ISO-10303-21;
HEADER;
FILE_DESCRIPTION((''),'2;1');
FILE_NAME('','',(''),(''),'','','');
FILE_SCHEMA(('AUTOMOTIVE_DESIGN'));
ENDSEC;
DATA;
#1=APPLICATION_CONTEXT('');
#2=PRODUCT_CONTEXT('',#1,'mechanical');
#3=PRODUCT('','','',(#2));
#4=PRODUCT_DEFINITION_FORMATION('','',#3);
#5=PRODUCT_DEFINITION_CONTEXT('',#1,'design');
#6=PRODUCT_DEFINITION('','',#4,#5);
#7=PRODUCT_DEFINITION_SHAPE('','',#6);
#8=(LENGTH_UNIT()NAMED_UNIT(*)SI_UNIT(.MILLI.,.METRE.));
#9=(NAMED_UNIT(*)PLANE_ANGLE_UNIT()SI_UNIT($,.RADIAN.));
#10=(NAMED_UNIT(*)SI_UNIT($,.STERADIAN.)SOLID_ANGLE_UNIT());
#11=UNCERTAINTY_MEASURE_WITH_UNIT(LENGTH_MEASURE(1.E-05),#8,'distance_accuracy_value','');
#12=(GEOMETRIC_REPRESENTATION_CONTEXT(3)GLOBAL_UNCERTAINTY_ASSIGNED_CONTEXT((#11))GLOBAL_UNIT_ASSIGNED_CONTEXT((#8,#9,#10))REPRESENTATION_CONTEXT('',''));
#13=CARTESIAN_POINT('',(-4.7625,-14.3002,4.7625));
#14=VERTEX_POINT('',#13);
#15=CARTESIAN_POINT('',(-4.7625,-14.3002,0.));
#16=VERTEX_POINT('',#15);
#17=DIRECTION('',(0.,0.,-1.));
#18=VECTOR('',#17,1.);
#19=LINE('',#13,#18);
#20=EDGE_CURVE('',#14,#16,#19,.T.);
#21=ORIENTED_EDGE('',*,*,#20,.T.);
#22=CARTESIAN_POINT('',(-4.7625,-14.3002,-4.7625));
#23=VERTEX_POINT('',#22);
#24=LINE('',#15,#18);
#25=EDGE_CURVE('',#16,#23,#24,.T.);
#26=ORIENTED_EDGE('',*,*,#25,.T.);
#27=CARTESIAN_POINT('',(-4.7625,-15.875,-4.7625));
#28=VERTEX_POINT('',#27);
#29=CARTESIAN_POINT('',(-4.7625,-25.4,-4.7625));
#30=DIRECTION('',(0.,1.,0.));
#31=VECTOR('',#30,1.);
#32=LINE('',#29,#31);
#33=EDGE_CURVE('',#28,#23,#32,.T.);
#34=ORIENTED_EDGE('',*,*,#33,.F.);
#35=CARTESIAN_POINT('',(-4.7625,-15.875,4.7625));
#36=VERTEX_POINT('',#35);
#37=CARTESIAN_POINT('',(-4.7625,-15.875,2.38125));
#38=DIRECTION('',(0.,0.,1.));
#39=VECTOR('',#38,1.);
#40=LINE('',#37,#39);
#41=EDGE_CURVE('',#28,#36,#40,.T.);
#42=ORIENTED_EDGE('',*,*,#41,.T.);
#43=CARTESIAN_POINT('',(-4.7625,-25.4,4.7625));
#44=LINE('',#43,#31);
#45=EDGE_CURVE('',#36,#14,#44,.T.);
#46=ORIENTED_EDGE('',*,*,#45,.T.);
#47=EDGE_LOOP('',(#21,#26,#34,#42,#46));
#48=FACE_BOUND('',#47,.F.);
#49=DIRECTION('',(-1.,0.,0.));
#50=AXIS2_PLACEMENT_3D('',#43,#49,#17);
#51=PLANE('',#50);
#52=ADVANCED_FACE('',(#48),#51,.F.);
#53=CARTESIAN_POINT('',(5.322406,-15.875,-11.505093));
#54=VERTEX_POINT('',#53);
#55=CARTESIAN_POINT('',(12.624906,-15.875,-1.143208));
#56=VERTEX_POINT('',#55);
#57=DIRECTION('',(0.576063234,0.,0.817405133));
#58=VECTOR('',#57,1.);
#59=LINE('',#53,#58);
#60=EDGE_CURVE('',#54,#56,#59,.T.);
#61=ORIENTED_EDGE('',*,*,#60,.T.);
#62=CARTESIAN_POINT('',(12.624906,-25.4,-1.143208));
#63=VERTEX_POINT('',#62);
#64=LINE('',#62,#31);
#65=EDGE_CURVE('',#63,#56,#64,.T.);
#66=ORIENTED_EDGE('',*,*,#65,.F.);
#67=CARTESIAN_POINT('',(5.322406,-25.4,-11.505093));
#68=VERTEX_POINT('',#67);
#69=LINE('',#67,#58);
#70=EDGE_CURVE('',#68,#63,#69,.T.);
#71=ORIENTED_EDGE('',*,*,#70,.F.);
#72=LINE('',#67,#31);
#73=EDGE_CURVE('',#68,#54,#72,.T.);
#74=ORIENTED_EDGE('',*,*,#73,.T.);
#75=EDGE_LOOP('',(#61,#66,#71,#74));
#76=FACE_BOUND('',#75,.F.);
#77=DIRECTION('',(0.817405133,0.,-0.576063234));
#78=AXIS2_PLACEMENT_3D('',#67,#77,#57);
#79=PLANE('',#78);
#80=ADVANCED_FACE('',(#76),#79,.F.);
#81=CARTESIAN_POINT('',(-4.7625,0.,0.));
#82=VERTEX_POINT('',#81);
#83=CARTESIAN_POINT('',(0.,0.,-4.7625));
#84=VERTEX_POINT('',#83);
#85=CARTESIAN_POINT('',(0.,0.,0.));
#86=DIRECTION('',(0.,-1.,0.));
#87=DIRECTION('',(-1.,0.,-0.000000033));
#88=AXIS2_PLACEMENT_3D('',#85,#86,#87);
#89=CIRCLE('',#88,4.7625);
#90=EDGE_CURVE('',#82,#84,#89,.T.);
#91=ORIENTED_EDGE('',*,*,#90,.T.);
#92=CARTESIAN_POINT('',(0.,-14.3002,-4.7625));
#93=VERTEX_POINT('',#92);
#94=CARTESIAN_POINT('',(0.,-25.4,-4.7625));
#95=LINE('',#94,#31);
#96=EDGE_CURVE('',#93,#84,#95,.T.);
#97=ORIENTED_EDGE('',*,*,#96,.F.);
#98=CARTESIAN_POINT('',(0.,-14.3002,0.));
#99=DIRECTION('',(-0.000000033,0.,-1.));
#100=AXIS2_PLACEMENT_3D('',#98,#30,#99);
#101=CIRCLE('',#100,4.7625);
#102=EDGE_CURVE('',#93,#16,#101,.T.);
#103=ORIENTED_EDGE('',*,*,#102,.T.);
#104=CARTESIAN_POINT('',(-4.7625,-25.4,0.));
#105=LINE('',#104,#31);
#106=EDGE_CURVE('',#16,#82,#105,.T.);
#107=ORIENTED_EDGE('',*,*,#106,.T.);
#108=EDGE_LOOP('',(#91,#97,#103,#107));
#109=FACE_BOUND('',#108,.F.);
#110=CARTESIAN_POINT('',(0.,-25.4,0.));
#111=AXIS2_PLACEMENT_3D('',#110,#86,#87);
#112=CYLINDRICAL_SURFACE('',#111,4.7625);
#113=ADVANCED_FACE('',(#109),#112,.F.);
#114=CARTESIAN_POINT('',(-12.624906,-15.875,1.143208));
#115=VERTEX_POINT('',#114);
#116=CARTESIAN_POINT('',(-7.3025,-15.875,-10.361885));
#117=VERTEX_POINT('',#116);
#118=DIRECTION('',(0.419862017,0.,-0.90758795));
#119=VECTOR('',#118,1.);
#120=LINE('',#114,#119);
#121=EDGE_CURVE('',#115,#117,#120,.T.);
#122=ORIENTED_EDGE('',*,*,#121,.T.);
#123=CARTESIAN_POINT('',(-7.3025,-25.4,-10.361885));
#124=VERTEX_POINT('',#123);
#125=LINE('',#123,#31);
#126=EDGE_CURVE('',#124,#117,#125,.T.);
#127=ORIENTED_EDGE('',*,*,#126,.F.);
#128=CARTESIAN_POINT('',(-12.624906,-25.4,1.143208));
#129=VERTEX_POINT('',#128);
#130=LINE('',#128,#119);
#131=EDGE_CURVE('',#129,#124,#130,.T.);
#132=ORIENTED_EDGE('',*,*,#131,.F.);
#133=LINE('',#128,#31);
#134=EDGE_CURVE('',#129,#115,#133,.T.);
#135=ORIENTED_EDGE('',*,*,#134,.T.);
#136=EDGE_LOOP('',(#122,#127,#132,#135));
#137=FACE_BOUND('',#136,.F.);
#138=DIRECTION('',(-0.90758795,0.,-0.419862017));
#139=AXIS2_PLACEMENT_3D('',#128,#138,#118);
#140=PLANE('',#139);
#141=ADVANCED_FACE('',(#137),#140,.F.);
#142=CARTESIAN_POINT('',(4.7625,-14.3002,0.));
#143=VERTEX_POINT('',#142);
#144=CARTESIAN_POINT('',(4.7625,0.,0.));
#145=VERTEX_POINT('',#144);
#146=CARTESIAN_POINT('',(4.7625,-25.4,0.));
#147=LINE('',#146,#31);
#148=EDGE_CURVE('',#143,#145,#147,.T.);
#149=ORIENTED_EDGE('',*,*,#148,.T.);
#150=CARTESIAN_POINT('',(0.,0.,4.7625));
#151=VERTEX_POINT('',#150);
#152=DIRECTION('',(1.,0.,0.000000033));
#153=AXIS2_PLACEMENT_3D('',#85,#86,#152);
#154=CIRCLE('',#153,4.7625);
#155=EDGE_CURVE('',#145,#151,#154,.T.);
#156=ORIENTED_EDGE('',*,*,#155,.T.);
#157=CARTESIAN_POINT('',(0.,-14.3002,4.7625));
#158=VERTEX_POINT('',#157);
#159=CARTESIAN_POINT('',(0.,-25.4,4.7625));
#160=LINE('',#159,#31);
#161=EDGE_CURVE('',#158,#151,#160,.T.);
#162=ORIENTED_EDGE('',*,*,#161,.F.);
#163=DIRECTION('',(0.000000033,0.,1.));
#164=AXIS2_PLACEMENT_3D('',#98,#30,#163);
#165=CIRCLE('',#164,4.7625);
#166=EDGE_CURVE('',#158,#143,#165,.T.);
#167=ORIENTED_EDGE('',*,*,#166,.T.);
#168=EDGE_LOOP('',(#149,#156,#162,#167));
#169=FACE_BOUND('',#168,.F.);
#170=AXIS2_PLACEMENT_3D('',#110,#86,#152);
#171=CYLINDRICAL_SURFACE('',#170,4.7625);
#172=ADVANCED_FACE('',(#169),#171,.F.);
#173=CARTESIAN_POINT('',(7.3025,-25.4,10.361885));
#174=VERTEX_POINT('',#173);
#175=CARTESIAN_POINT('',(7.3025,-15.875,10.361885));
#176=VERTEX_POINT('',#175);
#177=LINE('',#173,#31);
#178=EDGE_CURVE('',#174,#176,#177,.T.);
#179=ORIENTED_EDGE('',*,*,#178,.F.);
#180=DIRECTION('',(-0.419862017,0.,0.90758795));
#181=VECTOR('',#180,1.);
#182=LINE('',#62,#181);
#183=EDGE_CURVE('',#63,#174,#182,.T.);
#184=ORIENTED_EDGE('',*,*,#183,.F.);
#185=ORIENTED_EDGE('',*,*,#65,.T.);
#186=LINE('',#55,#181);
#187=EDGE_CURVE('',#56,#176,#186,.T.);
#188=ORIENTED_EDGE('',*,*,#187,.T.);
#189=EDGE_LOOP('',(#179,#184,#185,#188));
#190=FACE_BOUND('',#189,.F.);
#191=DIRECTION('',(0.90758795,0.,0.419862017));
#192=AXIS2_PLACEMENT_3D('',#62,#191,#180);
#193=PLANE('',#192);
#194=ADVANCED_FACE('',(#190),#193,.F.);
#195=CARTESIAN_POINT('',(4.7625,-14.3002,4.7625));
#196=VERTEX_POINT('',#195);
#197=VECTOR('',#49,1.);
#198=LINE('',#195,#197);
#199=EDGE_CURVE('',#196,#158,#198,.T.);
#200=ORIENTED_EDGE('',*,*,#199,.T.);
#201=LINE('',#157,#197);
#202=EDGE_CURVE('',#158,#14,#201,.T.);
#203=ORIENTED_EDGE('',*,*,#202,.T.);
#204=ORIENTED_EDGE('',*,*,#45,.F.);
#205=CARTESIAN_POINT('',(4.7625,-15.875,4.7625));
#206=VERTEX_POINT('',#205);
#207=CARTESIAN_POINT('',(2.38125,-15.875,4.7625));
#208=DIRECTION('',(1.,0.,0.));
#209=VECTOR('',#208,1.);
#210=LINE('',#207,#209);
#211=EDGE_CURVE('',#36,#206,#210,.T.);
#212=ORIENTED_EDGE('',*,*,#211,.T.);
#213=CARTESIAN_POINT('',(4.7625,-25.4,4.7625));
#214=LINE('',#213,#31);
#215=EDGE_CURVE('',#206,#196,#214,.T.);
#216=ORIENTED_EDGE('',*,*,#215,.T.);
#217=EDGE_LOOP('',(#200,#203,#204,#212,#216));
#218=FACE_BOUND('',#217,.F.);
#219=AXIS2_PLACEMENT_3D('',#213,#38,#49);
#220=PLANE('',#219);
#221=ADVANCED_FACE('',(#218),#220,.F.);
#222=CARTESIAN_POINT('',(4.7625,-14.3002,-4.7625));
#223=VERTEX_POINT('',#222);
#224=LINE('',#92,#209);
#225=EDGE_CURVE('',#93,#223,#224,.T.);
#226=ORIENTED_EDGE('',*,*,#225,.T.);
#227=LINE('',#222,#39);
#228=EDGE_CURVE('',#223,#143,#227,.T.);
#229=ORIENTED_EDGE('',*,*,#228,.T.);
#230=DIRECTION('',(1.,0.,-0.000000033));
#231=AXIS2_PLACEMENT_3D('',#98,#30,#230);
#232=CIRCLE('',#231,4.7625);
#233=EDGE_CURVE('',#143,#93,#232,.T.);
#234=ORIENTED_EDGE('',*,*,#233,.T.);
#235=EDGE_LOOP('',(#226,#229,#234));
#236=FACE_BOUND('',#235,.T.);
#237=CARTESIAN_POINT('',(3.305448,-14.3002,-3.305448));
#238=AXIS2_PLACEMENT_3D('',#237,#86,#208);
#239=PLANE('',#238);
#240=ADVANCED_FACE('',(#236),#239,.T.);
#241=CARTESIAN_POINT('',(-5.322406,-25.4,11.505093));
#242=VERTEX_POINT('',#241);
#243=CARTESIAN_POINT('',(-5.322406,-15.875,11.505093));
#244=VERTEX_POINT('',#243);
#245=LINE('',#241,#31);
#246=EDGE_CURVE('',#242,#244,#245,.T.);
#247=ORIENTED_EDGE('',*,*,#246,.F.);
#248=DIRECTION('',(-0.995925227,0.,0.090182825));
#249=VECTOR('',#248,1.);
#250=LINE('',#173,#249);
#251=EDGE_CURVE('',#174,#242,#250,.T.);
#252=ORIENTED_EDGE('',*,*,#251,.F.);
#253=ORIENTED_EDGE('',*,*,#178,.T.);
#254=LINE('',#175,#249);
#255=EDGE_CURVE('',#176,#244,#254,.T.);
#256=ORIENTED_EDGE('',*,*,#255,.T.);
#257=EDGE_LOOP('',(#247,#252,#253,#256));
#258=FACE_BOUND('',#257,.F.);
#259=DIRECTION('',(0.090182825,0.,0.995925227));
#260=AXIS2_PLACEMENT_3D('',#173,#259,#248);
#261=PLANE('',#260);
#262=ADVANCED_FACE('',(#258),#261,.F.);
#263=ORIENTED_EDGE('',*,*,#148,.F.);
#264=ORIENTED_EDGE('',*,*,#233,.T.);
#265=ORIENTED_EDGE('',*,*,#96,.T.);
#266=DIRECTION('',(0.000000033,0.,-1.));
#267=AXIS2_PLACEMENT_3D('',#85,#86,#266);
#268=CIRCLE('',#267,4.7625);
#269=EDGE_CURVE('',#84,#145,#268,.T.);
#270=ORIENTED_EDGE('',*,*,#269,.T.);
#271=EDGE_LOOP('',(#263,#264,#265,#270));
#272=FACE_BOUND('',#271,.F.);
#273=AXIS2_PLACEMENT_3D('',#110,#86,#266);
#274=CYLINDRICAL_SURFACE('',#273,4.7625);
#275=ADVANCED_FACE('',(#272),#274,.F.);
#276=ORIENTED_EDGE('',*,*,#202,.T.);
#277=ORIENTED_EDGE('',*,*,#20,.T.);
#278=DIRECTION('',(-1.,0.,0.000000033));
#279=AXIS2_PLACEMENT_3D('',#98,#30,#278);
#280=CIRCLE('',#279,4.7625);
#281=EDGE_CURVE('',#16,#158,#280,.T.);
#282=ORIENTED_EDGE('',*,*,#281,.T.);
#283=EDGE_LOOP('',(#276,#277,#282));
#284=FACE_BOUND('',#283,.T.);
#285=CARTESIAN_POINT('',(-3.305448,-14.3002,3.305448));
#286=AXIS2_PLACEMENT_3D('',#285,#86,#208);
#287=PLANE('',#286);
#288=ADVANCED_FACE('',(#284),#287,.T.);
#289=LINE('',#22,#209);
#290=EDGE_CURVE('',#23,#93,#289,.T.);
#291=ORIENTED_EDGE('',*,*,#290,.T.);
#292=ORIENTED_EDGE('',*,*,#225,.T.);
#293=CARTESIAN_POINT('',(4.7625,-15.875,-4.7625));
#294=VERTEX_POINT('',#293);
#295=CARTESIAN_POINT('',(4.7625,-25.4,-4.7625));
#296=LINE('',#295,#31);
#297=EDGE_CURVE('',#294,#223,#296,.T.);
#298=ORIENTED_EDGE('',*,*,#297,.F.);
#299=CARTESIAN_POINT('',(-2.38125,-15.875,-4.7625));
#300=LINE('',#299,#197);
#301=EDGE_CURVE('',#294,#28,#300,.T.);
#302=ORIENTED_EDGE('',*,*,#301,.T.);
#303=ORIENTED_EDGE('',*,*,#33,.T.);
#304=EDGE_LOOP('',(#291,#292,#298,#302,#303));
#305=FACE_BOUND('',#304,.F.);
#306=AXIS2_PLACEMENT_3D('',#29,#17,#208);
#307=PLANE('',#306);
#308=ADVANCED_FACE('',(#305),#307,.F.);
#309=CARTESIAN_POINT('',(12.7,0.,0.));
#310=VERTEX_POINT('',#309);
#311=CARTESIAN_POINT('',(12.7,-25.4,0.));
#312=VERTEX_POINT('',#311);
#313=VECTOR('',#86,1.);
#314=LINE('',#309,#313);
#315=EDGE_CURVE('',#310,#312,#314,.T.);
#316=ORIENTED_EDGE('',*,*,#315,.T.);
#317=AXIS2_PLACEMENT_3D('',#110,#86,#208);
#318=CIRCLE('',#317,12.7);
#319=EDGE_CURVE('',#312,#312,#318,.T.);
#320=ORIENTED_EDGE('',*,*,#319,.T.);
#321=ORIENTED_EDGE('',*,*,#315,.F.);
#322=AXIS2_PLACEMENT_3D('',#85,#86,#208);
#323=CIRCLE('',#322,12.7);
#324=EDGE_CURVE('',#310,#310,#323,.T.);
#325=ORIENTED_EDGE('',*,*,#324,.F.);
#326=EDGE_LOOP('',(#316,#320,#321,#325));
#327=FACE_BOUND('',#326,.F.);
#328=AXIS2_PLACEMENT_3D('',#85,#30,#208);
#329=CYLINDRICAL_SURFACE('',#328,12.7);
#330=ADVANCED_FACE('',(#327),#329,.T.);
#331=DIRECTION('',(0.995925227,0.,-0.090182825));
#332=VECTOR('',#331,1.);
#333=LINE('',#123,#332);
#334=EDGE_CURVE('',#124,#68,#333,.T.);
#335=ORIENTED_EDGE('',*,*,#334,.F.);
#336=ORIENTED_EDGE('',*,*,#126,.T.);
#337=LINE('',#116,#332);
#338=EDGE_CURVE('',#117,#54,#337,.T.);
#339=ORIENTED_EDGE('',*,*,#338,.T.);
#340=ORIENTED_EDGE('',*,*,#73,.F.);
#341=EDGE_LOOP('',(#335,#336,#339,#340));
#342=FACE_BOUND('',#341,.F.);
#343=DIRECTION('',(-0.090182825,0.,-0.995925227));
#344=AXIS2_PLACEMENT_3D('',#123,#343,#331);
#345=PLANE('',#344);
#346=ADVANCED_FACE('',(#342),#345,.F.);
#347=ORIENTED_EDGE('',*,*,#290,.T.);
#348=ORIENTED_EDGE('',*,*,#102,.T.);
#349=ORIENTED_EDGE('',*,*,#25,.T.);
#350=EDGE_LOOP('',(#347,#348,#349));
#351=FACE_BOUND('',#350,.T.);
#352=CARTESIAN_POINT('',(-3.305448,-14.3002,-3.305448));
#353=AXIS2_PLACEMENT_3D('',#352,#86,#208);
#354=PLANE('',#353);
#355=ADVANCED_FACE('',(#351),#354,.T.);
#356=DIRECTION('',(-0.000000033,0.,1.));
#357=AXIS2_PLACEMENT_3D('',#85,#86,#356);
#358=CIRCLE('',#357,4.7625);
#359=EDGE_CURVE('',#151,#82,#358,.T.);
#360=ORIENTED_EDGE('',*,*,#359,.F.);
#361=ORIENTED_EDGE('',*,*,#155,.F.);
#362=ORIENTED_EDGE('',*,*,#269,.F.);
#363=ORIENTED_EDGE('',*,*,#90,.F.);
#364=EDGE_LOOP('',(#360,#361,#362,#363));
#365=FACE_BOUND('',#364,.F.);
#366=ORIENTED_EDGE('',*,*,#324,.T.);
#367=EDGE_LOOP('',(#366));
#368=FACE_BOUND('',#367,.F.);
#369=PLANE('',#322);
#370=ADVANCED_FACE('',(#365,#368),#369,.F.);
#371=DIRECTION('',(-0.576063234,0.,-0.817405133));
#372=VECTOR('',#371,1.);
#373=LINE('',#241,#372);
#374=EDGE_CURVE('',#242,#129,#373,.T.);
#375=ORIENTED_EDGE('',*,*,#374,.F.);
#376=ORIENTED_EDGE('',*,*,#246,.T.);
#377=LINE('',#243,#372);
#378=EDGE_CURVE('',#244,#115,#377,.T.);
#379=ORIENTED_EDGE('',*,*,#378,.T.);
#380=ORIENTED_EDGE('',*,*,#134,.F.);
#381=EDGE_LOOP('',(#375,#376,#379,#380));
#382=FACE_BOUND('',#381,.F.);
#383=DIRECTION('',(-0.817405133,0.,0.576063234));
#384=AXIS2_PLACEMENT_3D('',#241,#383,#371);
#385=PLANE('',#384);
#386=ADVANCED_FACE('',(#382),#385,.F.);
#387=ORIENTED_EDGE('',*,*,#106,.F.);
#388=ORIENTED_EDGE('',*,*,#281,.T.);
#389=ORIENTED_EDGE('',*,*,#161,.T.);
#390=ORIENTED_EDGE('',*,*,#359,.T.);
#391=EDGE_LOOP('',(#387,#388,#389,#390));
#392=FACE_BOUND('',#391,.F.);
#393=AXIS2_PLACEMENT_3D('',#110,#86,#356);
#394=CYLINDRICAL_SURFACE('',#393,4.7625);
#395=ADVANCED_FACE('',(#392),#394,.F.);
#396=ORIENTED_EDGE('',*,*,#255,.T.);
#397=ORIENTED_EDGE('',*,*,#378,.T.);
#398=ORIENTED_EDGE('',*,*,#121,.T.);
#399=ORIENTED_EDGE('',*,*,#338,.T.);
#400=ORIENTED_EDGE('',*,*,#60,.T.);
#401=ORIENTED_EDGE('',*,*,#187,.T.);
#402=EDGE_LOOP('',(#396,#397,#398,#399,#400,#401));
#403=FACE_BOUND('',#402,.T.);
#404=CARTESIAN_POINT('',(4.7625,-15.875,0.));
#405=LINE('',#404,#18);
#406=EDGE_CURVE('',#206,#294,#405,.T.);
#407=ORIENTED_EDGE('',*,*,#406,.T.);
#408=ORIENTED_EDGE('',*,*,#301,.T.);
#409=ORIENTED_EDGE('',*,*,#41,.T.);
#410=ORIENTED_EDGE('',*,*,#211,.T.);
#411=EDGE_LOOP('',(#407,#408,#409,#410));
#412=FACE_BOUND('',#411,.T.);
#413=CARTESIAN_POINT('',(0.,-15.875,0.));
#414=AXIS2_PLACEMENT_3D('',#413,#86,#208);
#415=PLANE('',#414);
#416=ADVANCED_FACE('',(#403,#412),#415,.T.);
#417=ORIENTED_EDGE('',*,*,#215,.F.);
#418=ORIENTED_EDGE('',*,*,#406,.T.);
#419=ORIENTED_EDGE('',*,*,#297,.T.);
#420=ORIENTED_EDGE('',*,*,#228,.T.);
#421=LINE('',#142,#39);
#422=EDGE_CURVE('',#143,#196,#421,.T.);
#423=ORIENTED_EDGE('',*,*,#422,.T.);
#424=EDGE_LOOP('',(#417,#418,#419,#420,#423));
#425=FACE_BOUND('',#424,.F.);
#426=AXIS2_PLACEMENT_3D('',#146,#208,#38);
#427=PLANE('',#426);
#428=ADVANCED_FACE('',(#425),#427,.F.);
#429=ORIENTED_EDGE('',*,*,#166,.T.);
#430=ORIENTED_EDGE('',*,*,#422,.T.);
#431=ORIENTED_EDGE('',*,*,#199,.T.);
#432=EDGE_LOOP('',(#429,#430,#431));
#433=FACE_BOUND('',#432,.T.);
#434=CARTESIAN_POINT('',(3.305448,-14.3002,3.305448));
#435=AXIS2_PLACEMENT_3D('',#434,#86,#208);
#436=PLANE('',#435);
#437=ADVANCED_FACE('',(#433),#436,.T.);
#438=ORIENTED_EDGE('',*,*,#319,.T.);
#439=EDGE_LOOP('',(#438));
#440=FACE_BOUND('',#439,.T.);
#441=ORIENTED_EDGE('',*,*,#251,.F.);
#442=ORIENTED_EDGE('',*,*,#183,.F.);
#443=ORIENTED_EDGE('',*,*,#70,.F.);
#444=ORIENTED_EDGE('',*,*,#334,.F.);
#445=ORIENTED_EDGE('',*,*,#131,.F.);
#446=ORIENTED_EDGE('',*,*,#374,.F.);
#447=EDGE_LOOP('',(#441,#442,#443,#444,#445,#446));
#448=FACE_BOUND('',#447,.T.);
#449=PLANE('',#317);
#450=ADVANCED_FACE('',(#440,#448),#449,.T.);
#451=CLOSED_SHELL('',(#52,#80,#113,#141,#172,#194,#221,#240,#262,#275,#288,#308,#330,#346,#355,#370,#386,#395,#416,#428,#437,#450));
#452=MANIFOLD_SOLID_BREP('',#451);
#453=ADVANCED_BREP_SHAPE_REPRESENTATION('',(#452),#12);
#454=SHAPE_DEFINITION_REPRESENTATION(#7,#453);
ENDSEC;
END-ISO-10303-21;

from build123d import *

# Parameters (mm, degrees)
F0_R     = 12.7
F1_DEPTH = 25.4
F3_DEPTH = 25.401
F4_DEPTH = 11.0998
F6_DEPTH = 9.525


with BuildPart() as f1:
    # F0 (on Front) → F1 (new body)
    with BuildSketch(Plane.XZ):
        Circle(F0_R)
    extrude(amount=F1_DEPTH)

    # F2 (on face) → F3 (cut, through all)
    with BuildSketch(Plane.XZ.offset(25.4)):
        with BuildLine():
            ThreePointArc((4.7625, 0), (3.367596, 3.367596), (0, 4.7625))
            ThreePointArc((0, 4.7625), (-3.367596, 3.367596), (-4.7625, 0))
            ThreePointArc((-4.7625, 0), (-3.367596, -3.367596), (0, -4.7625))
            ThreePointArc((0, -4.7625), (3.367596, -3.367596), (4.7625, 0))
        make_face()
    extrude(amount=-F3_DEPTH, mode=Mode.SUBTRACT)

    # F2 (on face) → F4 (cut)
    with BuildSketch(Plane.XZ.offset(25.4)):
        with BuildLine():
            Line((0, 4.7625), (-4.7625, 4.7625))
            Line((-4.7625, 4.7625), (-4.7625, 0))
            ThreePointArc((-4.7625, 0), (-3.367596, 3.367596), (0, 4.7625))
        make_face()
        with BuildLine():
            Line((4.7625, 4.7625), (0, 4.7625))
            ThreePointArc((0, 4.7625), (3.367596, 3.367596), (4.7625, 0))
            Line((4.7625, 0), (4.7625, 4.7625))
        make_face()
        with BuildLine():
            ThreePointArc((0, -4.7625), (-3.367596, -3.367596), (-4.7625, 0))
            Line((-4.7625, 0), (-4.7625, -4.7625))
            Line((-4.7625, -4.7625), (0, -4.7625))
        make_face()
        with BuildLine():
            Line((4.7625, -4.7625), (4.7625, 0))
            ThreePointArc((4.7625, 0), (3.367596, -3.367596), (0, -4.7625))
            Line((0, -4.7625), (4.7625, -4.7625))
        make_face()
    extrude(amount=-F4_DEPTH, mode=Mode.SUBTRACT)

    # F5 (on face) → F6 (cut)
    with BuildSketch(Plane.XZ.offset(25.4)):
        Polygon((-12.624906, 1.143208), (-7.3025, -10.361885), (5.322406, -11.505093), (12.624906, -1.143208), (7.3025, 10.361885), (-5.322406, 11.505093), align=None)
    extrude(amount=-F6_DEPTH, mode=Mode.SUBTRACT)


solid = f1.part
